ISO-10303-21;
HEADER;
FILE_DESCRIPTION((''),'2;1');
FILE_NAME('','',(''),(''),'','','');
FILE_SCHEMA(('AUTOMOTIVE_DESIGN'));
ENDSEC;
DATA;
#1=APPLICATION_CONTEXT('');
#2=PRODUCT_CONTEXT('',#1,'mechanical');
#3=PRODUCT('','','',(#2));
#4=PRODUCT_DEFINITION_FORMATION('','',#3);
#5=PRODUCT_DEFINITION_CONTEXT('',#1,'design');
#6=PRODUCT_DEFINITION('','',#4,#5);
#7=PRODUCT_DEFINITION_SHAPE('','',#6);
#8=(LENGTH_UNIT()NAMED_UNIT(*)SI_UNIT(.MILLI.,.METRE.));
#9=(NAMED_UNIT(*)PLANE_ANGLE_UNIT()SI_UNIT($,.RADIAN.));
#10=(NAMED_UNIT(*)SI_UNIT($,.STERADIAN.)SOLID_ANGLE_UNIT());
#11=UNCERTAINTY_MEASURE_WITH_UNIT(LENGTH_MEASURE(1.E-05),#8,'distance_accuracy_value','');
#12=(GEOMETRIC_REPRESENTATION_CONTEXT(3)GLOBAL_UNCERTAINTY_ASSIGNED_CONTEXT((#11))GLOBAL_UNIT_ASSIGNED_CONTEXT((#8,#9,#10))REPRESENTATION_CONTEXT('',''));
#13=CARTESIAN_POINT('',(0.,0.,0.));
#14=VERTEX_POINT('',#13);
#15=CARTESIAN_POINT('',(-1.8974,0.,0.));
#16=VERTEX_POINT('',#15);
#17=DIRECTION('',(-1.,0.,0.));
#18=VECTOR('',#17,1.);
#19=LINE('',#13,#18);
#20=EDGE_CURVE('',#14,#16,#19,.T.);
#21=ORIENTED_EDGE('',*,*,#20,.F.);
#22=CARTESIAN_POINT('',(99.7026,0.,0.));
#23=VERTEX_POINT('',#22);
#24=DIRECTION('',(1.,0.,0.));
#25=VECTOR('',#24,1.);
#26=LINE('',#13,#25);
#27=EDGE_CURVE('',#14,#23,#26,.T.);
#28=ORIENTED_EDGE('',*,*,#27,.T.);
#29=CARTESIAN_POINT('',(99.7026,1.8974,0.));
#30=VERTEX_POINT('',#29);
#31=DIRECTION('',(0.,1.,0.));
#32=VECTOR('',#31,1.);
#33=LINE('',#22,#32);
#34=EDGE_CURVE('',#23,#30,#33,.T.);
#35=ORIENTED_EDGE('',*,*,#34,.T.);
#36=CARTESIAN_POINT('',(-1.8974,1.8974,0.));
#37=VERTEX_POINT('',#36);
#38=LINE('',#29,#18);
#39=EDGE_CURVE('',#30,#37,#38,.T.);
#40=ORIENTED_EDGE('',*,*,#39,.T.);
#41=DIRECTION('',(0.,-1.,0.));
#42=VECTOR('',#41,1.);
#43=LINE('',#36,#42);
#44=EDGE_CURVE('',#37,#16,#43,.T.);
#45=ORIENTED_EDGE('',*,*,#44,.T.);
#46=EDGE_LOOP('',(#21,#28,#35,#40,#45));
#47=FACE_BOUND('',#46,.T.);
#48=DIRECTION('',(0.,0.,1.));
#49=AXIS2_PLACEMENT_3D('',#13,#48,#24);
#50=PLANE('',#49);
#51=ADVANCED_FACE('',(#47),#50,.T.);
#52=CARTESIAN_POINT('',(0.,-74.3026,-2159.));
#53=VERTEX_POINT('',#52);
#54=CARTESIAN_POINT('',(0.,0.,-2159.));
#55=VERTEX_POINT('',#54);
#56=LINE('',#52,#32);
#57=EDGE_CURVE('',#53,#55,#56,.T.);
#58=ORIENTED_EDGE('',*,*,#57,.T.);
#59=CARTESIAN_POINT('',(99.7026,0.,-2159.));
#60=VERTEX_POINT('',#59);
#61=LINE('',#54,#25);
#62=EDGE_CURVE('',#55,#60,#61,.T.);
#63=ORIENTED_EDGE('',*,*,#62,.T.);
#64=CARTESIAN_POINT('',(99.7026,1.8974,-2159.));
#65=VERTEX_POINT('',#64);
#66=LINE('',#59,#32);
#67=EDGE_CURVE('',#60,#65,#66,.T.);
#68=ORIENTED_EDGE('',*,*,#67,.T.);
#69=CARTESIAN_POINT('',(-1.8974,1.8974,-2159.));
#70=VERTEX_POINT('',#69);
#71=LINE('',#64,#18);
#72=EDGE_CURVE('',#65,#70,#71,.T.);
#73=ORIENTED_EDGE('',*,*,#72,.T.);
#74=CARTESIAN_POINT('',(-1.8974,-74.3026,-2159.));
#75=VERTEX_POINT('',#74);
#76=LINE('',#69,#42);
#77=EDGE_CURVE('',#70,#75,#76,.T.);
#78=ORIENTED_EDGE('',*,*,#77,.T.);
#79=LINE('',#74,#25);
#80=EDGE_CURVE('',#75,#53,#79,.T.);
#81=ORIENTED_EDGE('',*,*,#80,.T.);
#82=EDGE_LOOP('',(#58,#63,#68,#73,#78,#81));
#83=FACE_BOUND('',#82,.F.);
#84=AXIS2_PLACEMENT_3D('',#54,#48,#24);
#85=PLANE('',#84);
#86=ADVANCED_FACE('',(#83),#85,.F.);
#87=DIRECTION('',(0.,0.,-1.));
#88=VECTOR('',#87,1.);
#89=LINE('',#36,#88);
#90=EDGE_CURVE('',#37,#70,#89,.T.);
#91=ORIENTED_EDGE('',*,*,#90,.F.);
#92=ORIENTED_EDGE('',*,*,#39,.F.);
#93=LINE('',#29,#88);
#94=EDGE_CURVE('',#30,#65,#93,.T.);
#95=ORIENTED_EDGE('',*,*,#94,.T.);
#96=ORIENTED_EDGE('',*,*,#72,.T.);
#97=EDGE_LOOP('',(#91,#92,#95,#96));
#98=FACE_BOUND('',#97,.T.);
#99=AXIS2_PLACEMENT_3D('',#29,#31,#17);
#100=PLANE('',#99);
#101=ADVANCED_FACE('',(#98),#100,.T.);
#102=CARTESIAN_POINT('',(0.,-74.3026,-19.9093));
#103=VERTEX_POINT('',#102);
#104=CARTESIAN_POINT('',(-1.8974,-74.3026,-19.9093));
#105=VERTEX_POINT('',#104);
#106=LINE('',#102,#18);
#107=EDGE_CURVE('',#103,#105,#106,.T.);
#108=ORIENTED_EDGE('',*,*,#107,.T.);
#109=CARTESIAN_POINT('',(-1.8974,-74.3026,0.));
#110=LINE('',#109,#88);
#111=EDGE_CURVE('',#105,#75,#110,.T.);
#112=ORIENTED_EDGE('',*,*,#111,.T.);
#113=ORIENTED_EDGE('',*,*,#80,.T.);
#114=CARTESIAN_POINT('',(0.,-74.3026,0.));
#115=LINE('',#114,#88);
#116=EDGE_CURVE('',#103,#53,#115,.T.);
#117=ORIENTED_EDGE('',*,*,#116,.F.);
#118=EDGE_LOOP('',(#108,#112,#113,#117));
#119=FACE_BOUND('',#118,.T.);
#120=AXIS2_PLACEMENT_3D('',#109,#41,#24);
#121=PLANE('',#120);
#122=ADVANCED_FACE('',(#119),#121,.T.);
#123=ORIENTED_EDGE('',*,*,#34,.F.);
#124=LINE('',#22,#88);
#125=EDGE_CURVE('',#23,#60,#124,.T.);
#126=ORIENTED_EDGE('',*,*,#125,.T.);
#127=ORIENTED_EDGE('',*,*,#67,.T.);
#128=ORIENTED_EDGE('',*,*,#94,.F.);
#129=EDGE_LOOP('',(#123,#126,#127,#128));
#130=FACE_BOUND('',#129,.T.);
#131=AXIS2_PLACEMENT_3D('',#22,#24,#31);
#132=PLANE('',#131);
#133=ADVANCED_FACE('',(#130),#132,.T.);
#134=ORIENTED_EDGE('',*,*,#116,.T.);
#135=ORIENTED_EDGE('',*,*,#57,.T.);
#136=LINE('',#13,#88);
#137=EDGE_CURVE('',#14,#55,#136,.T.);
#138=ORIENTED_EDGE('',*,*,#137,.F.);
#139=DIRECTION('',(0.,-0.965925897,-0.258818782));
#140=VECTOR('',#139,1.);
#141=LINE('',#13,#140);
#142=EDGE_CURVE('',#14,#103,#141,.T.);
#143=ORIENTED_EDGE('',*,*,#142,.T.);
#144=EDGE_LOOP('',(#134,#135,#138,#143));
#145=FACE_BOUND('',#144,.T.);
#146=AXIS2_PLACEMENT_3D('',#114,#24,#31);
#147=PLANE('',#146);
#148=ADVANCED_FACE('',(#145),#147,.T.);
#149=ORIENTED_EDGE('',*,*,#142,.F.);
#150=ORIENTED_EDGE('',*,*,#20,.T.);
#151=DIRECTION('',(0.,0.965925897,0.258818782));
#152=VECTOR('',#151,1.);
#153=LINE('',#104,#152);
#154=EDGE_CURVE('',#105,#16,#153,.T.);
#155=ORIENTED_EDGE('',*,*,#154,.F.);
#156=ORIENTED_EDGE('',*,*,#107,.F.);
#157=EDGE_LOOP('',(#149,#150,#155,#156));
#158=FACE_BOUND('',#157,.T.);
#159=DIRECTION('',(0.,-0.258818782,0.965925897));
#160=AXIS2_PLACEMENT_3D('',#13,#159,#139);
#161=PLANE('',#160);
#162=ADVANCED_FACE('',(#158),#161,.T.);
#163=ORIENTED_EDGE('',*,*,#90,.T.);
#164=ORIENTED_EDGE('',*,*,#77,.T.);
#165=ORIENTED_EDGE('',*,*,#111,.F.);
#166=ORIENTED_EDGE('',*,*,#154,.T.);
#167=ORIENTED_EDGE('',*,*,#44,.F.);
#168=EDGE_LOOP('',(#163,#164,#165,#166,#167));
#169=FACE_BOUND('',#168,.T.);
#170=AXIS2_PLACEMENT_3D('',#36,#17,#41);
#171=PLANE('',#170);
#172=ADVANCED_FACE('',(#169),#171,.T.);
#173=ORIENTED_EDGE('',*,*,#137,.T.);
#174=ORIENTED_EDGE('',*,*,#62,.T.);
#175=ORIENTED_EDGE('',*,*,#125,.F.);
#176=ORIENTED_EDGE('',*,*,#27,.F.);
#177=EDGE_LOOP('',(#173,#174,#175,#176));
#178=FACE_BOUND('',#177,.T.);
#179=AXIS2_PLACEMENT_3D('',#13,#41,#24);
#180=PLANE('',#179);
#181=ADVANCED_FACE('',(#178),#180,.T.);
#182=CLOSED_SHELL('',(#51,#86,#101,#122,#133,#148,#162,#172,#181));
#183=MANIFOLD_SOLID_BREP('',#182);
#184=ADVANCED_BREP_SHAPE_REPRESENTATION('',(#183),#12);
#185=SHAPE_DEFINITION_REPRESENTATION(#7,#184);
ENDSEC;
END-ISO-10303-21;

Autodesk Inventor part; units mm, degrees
ref_plane "YZ Plane" through (0, 0, 0) normal (1, 0, 0) x (0, 1, 0)
ref_plane "XZ Plane" through (0, 0, 0) normal (0, 1, 0) x (-1, 0, 0)
ref_plane "XY Plane" through (0, 0, 0) normal (0, 0, 1) x (1, 0, 0)
sketch "Sketch1" plane through (0, 0, 0) normal (0, 0, 1) x (1, 0, 0)
  line L0 (-1.8974, -23.3494) -> (-1.8974, -74.3026)
  line L1 (-1.8974, -74.3026) -> (0, -74.3026)
  line L2 (0, -74.3026) -> (0, 0)
  line L3 (0, 0) -> (99.7026, 0)
  line L4 (99.7026, 0) -> (99.7026, 1.8974)
  line L5 (99.7026, 1.8974) -> (-1.8974, 1.8974)
  line L6 (-1.8974, 1.8974) -> (-1.8974, -23.3494)
  dimension "d0" = 101.6
  dimension "d1" = 76.2
  dimension "d2" = 1.8974
  dimension "d3" = 1.8974
extrude "Extrusion1" add sketch "Sketch1" against normal blind 2159
sketch "Sketch2" plane through (0, -74.3026, 0) normal (1, 0, 0) x (0, 0, -1)
  line L0 (0, 74.3026) -> (19.9093, 0)
  line L1 (0, 0) -> (2159, 0) projected
  line L2 (19.9093, 0) -> (0, 0)
  line L3 (0, 0) -> (0, 74.3026)
  dimension "d6" = 15
extrude "Extrusion2" cut sketch "Sketch2" against normal up to next
properties part number "Angle--Back"
